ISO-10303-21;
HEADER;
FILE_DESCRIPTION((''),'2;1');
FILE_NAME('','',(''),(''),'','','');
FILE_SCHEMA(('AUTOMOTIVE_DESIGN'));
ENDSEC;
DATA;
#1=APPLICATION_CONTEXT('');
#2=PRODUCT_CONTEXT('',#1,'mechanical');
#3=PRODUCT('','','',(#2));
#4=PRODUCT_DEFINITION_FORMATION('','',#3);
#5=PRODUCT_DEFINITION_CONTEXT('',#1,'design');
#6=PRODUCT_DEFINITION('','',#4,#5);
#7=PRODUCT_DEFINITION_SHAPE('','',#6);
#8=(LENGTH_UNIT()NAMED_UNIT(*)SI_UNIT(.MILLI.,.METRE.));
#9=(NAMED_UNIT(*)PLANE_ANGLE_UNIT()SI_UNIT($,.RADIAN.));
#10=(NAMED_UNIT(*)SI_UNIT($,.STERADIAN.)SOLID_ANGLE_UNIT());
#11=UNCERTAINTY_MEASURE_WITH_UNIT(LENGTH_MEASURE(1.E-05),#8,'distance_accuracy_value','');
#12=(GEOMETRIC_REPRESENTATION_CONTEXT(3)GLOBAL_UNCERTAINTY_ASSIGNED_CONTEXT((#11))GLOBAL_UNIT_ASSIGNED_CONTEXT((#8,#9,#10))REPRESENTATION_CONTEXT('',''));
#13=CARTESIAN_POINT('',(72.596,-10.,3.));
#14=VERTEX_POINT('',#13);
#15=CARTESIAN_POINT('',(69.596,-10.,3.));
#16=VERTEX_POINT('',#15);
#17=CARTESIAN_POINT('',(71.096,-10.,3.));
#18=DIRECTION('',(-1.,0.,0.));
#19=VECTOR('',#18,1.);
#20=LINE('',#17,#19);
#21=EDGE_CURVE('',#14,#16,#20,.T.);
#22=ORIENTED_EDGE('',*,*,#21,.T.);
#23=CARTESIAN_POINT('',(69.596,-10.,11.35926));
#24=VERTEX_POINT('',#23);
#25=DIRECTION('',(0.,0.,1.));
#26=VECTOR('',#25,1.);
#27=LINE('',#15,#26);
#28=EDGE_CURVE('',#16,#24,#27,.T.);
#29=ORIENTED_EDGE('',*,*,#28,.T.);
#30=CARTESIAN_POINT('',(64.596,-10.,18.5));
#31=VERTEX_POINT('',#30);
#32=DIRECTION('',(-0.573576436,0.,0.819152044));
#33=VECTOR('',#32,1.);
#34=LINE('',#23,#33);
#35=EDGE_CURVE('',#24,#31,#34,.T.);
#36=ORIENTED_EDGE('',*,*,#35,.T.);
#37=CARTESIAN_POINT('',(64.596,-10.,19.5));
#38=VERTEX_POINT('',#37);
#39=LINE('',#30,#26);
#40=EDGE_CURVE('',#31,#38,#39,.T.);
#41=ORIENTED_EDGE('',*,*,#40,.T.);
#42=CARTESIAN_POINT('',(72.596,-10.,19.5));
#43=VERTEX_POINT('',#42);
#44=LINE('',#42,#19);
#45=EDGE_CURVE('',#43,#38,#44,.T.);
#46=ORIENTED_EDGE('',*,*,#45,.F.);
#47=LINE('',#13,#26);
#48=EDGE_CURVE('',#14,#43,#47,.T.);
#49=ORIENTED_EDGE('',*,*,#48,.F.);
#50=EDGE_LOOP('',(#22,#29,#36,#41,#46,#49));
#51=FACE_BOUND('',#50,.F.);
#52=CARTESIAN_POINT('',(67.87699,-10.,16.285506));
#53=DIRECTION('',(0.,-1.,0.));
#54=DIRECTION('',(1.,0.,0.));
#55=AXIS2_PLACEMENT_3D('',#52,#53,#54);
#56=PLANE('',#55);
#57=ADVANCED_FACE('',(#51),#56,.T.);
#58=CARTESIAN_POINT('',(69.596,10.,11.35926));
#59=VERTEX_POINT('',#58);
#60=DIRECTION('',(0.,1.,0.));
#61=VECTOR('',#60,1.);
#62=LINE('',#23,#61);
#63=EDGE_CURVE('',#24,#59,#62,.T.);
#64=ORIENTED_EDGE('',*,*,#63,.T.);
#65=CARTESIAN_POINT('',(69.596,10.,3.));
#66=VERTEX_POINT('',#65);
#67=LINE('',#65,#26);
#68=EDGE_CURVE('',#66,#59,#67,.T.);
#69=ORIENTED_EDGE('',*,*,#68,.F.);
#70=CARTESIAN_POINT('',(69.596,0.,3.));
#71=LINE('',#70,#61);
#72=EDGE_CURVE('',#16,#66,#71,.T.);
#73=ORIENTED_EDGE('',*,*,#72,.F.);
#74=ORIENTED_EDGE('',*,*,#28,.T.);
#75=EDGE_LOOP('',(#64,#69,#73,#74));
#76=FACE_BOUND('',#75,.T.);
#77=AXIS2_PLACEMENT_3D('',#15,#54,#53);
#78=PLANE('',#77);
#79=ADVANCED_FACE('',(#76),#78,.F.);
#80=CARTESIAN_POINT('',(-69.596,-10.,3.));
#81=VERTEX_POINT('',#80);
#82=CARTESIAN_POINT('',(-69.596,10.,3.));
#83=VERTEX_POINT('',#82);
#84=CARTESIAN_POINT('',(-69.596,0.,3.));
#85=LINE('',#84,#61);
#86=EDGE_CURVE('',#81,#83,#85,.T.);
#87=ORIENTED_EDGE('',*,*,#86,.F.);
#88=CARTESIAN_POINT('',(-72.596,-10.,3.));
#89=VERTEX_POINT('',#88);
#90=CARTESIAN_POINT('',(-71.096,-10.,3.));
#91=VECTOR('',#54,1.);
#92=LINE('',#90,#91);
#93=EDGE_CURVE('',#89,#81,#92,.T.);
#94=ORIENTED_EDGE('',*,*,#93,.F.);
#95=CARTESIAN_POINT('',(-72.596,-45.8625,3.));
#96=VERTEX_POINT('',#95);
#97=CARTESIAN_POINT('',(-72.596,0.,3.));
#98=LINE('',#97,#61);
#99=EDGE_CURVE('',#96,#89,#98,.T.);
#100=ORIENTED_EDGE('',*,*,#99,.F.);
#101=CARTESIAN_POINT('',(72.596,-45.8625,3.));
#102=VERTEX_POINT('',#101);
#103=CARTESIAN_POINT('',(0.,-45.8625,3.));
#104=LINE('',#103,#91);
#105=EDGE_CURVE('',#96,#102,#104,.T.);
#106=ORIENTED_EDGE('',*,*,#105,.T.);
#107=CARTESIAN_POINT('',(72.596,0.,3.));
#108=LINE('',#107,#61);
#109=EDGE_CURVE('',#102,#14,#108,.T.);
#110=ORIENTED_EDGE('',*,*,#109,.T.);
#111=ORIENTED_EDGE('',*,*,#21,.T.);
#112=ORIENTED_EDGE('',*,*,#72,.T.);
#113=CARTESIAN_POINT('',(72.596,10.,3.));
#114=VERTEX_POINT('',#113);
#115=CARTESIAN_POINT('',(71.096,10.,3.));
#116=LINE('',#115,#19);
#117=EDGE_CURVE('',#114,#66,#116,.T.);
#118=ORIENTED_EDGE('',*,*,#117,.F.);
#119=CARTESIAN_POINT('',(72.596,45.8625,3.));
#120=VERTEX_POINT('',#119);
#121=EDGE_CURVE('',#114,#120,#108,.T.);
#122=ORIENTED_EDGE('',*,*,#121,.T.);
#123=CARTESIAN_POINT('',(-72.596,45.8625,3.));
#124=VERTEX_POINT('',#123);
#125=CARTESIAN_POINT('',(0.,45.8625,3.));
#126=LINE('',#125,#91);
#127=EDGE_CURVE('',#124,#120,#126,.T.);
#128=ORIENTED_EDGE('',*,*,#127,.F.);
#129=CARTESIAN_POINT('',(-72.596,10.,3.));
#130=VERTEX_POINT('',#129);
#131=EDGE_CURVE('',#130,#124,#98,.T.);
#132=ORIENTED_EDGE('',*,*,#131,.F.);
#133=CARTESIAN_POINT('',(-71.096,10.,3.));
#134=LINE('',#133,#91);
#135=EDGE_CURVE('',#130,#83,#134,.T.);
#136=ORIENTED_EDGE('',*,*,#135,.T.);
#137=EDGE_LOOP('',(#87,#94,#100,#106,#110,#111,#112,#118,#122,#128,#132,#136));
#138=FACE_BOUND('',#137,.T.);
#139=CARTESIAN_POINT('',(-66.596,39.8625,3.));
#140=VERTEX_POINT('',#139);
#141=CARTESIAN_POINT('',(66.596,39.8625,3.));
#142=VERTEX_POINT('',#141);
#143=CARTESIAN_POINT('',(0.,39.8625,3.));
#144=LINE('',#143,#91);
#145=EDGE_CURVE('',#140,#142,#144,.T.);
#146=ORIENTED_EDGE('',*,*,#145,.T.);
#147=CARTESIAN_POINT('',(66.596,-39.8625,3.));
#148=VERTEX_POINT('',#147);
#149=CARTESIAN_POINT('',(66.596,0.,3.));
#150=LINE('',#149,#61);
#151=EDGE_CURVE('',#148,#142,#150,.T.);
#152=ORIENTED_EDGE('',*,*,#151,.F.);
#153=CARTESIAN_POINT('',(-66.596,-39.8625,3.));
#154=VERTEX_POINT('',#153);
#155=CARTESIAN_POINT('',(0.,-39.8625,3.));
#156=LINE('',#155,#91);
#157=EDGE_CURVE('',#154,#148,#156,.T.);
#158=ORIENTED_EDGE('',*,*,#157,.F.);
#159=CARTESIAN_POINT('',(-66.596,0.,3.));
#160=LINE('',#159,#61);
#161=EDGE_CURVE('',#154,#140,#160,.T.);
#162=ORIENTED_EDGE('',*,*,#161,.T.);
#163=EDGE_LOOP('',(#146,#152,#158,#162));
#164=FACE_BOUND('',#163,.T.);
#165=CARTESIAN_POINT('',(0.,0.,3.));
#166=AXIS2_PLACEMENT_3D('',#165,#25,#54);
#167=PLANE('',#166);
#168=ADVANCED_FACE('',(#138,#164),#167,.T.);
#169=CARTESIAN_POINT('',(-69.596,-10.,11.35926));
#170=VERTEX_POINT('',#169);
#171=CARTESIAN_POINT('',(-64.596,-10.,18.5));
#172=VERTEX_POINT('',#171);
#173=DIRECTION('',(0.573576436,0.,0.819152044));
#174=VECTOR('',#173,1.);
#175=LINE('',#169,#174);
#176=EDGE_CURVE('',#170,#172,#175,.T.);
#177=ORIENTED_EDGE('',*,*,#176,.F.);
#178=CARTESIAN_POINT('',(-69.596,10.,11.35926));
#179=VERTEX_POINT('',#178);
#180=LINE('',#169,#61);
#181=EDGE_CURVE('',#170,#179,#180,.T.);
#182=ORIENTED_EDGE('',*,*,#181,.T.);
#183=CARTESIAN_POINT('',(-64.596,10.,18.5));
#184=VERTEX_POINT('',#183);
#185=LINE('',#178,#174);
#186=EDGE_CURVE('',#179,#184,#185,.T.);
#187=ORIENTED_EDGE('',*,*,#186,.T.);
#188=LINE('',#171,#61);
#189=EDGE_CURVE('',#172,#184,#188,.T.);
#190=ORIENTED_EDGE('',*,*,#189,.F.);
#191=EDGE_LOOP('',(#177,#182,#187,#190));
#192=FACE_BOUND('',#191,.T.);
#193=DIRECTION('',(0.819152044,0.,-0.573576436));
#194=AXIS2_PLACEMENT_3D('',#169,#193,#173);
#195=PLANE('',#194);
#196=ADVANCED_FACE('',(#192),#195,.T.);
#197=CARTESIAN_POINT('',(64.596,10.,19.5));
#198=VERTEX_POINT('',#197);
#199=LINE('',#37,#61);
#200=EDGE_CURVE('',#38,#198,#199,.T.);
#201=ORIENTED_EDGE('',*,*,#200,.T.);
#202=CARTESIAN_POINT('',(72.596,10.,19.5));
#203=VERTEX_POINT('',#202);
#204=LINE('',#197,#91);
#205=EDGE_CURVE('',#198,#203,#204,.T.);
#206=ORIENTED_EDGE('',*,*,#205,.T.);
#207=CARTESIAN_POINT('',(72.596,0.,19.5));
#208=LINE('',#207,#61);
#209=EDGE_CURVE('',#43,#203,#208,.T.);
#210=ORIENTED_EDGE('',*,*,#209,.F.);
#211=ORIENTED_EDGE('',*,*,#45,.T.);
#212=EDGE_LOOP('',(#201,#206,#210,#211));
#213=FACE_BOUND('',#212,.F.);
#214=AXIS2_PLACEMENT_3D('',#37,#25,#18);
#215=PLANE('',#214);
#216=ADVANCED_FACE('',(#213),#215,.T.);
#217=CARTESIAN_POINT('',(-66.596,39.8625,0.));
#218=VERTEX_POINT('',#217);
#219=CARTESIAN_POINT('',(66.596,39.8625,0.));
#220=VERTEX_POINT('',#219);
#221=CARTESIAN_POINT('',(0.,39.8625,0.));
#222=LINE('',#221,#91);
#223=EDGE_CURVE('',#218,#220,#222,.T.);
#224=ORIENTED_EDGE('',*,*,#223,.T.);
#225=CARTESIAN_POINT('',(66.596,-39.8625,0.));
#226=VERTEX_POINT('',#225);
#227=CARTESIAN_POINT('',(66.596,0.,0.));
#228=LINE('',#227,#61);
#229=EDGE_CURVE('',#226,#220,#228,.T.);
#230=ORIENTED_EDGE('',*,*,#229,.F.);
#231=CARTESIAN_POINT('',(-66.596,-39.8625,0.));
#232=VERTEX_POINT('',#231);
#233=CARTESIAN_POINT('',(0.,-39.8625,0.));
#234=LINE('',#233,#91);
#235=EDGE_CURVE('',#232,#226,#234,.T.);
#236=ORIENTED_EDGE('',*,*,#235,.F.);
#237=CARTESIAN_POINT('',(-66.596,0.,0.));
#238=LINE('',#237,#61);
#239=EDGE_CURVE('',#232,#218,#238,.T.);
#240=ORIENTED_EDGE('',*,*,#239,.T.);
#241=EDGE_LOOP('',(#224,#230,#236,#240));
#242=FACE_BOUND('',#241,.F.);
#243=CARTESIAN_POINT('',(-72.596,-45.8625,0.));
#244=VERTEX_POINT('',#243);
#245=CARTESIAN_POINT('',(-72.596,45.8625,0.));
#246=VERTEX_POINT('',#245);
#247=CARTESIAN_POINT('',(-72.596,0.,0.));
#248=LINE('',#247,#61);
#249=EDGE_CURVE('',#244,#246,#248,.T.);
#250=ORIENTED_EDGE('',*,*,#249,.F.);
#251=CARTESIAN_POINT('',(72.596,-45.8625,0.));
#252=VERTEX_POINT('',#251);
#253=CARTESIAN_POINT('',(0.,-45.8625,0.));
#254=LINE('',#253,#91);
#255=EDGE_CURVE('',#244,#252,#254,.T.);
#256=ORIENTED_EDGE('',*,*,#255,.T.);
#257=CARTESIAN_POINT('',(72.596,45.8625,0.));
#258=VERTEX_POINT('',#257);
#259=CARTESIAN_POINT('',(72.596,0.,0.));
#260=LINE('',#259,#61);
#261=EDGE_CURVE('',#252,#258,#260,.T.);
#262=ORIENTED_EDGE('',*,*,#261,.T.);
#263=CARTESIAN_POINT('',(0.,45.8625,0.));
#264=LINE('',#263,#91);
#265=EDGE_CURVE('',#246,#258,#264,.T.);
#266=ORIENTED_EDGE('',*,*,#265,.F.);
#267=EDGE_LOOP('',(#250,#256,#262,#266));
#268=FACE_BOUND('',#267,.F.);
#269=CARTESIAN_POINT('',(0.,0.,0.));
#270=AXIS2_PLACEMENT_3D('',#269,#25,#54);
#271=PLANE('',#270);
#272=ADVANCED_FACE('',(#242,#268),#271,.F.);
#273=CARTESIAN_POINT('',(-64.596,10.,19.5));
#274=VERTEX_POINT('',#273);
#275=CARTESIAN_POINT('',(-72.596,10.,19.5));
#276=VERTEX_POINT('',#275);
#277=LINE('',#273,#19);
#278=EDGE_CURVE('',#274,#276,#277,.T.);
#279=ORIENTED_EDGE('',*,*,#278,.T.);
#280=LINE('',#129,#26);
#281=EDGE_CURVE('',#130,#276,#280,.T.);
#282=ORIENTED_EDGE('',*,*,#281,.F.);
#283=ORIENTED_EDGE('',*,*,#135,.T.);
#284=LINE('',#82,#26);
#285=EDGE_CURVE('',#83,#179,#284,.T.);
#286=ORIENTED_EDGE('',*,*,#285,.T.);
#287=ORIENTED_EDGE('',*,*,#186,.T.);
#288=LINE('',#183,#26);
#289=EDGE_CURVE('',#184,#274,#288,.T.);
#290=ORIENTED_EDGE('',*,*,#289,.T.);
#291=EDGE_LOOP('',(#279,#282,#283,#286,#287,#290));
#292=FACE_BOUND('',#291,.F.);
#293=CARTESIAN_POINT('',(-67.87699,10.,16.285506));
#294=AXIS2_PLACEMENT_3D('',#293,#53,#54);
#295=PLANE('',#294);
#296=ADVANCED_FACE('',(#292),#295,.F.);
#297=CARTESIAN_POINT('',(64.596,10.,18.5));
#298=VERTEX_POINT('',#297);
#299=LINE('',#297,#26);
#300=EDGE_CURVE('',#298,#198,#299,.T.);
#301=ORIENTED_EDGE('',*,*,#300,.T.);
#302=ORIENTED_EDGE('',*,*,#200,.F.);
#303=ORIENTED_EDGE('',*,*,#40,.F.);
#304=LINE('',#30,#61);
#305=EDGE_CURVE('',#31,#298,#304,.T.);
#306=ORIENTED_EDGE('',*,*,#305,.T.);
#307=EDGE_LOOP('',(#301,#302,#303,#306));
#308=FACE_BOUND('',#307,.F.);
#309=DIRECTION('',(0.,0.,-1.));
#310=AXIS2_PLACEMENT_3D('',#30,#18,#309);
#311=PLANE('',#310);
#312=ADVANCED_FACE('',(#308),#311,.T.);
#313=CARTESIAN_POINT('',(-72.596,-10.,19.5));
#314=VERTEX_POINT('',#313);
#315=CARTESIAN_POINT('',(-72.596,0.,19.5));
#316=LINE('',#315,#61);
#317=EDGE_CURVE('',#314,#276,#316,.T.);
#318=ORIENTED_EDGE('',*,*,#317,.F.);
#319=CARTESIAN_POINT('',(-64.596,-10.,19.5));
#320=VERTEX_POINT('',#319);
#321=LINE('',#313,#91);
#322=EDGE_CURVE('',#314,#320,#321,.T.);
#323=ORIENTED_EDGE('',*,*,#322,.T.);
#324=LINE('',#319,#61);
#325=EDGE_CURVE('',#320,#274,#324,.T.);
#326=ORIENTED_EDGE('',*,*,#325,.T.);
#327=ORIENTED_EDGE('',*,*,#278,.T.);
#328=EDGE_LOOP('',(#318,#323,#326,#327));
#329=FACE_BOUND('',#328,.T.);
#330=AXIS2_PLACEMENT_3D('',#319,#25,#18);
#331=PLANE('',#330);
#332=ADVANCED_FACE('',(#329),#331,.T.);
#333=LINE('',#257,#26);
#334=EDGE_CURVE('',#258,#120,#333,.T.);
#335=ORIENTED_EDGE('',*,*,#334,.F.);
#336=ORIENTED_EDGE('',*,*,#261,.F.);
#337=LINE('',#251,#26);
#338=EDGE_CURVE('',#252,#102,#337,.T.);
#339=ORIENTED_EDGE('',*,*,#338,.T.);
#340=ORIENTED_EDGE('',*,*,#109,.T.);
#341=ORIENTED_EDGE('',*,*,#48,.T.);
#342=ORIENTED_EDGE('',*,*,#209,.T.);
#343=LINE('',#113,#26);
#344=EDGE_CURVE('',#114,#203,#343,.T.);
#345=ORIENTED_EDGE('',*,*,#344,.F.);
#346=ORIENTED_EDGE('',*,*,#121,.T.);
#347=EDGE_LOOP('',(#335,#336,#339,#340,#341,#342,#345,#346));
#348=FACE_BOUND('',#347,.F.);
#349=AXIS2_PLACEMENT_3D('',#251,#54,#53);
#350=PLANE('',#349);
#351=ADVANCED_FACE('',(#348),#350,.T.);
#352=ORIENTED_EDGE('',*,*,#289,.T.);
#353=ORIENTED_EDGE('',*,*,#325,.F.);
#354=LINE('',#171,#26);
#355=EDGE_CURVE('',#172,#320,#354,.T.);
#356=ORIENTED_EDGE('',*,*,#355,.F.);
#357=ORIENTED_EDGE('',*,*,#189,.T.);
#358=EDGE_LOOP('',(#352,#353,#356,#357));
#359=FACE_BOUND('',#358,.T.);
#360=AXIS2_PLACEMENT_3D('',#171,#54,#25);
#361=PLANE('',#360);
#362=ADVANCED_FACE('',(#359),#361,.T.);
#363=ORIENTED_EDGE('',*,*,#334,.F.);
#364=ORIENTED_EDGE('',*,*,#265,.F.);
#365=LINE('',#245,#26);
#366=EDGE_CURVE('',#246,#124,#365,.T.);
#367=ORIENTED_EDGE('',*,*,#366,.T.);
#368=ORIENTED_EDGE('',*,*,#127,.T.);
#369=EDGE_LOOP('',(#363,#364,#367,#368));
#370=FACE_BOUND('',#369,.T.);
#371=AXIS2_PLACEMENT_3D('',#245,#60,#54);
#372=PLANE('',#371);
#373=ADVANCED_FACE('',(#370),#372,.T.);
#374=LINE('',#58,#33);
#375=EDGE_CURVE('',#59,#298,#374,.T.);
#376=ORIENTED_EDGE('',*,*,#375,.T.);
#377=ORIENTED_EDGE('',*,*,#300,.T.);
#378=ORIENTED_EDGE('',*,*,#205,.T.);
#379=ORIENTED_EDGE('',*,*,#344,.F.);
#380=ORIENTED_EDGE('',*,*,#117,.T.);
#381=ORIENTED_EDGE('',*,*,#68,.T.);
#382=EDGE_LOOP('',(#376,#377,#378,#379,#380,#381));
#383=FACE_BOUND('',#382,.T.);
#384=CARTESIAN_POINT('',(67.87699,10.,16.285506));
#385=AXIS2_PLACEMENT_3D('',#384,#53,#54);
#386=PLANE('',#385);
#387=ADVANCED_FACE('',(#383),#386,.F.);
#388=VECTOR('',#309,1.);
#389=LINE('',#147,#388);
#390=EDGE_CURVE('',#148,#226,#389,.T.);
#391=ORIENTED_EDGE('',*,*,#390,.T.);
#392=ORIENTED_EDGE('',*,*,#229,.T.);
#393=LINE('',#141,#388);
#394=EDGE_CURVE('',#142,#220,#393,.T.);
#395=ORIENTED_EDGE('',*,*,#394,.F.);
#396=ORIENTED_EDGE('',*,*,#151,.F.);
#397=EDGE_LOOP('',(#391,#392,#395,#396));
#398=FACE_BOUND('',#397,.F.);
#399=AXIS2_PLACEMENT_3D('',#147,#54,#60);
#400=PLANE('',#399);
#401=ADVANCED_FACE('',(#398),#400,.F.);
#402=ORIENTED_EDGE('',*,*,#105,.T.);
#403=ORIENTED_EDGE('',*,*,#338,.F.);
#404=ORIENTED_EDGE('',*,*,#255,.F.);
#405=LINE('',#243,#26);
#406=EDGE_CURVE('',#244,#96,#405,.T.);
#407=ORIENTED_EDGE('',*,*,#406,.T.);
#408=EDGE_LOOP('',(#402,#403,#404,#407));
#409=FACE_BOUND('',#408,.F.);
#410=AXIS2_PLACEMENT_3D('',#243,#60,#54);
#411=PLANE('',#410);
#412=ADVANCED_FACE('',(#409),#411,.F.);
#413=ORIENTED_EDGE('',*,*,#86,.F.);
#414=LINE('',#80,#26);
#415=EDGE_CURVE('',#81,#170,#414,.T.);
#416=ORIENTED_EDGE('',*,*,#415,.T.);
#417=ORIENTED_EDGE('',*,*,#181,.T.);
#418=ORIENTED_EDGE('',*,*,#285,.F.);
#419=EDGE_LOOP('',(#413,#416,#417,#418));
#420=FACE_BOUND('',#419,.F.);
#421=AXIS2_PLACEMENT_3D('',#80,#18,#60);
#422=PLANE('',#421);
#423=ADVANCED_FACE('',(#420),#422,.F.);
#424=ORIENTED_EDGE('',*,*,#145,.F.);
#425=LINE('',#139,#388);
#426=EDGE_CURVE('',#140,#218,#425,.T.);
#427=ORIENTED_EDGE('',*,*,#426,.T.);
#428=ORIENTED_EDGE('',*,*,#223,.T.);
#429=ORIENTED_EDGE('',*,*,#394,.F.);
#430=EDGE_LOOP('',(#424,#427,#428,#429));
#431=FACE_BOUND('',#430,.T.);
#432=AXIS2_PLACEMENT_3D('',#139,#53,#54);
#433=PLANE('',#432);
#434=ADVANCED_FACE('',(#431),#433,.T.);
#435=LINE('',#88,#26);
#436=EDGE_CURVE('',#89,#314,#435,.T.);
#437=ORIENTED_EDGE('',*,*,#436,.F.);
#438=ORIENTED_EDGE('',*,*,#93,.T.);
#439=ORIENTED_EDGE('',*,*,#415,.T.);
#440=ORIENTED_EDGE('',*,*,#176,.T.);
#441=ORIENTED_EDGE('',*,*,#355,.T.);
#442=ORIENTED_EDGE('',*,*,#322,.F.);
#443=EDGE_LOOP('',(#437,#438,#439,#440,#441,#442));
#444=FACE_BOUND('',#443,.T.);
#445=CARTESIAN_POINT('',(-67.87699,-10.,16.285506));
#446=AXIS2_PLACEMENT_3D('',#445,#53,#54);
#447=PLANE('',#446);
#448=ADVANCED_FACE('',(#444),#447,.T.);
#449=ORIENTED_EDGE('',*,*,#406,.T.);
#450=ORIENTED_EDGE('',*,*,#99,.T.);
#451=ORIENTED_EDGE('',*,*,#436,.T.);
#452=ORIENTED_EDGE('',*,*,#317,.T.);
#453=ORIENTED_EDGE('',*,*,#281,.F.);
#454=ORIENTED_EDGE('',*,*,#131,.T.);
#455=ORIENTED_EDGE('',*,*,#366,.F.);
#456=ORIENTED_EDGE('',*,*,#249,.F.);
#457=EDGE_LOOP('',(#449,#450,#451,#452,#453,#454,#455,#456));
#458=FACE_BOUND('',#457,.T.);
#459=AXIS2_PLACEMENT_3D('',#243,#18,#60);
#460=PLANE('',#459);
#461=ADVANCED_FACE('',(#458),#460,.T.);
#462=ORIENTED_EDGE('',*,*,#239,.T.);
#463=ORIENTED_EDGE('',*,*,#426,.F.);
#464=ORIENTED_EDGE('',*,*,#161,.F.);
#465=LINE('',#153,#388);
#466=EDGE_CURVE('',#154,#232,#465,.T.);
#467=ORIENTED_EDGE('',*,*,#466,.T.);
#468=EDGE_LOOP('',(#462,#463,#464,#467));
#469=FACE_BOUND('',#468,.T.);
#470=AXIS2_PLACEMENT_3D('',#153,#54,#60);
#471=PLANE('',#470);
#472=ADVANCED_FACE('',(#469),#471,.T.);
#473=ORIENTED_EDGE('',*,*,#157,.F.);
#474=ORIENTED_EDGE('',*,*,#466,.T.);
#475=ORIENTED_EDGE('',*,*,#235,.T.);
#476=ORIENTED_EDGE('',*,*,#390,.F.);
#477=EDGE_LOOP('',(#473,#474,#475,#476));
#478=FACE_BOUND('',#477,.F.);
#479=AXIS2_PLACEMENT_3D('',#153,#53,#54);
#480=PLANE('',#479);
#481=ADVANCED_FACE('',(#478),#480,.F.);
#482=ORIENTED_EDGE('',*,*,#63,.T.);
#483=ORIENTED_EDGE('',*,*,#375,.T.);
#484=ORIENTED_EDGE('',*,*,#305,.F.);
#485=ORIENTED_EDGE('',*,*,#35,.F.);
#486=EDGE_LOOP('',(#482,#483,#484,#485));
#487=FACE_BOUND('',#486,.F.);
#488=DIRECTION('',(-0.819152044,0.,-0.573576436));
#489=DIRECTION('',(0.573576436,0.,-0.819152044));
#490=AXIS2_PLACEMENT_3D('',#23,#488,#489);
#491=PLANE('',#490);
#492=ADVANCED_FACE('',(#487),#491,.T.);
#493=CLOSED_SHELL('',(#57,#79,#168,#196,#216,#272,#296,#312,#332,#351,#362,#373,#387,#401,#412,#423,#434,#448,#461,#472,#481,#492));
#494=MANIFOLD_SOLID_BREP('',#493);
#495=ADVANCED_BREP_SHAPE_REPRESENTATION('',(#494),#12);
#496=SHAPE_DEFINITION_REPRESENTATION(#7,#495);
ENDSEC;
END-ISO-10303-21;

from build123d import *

# Parameters (mm, degrees)
F0_W     = 145.192
F0_H     = 91.725
F1_DEPTH = 3
F2_W     = 133.192
F2_H     = 79.725
F3_DEPTH = 3
F4_W     = 3
F4_H     = 20
F5_DEPTH = 16.5
F7_DEPTH = 20


with BuildPart() as f1:
    # F0 (on Top) → F1 (new body)
    with BuildSketch(Plane.XY):
        Rectangle(F0_W, F0_H)
    extrude(amount=F1_DEPTH)

    # F2 (on face) → F3 (cut)
    with BuildSketch(Plane.XY.offset(3)):
        Rectangle(F2_W, F2_H)
    extrude(amount=-F3_DEPTH, mode=Mode.SUBTRACT)

    # F4 (on face) → F5 (join)
    with BuildSketch(Plane.XY.offset(3)):
        with Locations((-71.096, 0)):
            Rectangle(F4_W, F4_H)
    extrude(amount=F5_DEPTH)

    # F6 (on face) → F7 (join)
    with BuildSketch(Plane.XZ.offset(10)):
        Polygon((-64.596, 19.5), (-69.596, 19.5), (-69.596, 11.3592599663), (-64.596, 18.5), align=None)
    extrude(amount=-F7_DEPTH)

    # F8: F1 across plane


with BuildPart() as f1_1:
    add(f1.part)
    add(f1.part.mirror(Plane.YZ))


solid = f1_1.part
